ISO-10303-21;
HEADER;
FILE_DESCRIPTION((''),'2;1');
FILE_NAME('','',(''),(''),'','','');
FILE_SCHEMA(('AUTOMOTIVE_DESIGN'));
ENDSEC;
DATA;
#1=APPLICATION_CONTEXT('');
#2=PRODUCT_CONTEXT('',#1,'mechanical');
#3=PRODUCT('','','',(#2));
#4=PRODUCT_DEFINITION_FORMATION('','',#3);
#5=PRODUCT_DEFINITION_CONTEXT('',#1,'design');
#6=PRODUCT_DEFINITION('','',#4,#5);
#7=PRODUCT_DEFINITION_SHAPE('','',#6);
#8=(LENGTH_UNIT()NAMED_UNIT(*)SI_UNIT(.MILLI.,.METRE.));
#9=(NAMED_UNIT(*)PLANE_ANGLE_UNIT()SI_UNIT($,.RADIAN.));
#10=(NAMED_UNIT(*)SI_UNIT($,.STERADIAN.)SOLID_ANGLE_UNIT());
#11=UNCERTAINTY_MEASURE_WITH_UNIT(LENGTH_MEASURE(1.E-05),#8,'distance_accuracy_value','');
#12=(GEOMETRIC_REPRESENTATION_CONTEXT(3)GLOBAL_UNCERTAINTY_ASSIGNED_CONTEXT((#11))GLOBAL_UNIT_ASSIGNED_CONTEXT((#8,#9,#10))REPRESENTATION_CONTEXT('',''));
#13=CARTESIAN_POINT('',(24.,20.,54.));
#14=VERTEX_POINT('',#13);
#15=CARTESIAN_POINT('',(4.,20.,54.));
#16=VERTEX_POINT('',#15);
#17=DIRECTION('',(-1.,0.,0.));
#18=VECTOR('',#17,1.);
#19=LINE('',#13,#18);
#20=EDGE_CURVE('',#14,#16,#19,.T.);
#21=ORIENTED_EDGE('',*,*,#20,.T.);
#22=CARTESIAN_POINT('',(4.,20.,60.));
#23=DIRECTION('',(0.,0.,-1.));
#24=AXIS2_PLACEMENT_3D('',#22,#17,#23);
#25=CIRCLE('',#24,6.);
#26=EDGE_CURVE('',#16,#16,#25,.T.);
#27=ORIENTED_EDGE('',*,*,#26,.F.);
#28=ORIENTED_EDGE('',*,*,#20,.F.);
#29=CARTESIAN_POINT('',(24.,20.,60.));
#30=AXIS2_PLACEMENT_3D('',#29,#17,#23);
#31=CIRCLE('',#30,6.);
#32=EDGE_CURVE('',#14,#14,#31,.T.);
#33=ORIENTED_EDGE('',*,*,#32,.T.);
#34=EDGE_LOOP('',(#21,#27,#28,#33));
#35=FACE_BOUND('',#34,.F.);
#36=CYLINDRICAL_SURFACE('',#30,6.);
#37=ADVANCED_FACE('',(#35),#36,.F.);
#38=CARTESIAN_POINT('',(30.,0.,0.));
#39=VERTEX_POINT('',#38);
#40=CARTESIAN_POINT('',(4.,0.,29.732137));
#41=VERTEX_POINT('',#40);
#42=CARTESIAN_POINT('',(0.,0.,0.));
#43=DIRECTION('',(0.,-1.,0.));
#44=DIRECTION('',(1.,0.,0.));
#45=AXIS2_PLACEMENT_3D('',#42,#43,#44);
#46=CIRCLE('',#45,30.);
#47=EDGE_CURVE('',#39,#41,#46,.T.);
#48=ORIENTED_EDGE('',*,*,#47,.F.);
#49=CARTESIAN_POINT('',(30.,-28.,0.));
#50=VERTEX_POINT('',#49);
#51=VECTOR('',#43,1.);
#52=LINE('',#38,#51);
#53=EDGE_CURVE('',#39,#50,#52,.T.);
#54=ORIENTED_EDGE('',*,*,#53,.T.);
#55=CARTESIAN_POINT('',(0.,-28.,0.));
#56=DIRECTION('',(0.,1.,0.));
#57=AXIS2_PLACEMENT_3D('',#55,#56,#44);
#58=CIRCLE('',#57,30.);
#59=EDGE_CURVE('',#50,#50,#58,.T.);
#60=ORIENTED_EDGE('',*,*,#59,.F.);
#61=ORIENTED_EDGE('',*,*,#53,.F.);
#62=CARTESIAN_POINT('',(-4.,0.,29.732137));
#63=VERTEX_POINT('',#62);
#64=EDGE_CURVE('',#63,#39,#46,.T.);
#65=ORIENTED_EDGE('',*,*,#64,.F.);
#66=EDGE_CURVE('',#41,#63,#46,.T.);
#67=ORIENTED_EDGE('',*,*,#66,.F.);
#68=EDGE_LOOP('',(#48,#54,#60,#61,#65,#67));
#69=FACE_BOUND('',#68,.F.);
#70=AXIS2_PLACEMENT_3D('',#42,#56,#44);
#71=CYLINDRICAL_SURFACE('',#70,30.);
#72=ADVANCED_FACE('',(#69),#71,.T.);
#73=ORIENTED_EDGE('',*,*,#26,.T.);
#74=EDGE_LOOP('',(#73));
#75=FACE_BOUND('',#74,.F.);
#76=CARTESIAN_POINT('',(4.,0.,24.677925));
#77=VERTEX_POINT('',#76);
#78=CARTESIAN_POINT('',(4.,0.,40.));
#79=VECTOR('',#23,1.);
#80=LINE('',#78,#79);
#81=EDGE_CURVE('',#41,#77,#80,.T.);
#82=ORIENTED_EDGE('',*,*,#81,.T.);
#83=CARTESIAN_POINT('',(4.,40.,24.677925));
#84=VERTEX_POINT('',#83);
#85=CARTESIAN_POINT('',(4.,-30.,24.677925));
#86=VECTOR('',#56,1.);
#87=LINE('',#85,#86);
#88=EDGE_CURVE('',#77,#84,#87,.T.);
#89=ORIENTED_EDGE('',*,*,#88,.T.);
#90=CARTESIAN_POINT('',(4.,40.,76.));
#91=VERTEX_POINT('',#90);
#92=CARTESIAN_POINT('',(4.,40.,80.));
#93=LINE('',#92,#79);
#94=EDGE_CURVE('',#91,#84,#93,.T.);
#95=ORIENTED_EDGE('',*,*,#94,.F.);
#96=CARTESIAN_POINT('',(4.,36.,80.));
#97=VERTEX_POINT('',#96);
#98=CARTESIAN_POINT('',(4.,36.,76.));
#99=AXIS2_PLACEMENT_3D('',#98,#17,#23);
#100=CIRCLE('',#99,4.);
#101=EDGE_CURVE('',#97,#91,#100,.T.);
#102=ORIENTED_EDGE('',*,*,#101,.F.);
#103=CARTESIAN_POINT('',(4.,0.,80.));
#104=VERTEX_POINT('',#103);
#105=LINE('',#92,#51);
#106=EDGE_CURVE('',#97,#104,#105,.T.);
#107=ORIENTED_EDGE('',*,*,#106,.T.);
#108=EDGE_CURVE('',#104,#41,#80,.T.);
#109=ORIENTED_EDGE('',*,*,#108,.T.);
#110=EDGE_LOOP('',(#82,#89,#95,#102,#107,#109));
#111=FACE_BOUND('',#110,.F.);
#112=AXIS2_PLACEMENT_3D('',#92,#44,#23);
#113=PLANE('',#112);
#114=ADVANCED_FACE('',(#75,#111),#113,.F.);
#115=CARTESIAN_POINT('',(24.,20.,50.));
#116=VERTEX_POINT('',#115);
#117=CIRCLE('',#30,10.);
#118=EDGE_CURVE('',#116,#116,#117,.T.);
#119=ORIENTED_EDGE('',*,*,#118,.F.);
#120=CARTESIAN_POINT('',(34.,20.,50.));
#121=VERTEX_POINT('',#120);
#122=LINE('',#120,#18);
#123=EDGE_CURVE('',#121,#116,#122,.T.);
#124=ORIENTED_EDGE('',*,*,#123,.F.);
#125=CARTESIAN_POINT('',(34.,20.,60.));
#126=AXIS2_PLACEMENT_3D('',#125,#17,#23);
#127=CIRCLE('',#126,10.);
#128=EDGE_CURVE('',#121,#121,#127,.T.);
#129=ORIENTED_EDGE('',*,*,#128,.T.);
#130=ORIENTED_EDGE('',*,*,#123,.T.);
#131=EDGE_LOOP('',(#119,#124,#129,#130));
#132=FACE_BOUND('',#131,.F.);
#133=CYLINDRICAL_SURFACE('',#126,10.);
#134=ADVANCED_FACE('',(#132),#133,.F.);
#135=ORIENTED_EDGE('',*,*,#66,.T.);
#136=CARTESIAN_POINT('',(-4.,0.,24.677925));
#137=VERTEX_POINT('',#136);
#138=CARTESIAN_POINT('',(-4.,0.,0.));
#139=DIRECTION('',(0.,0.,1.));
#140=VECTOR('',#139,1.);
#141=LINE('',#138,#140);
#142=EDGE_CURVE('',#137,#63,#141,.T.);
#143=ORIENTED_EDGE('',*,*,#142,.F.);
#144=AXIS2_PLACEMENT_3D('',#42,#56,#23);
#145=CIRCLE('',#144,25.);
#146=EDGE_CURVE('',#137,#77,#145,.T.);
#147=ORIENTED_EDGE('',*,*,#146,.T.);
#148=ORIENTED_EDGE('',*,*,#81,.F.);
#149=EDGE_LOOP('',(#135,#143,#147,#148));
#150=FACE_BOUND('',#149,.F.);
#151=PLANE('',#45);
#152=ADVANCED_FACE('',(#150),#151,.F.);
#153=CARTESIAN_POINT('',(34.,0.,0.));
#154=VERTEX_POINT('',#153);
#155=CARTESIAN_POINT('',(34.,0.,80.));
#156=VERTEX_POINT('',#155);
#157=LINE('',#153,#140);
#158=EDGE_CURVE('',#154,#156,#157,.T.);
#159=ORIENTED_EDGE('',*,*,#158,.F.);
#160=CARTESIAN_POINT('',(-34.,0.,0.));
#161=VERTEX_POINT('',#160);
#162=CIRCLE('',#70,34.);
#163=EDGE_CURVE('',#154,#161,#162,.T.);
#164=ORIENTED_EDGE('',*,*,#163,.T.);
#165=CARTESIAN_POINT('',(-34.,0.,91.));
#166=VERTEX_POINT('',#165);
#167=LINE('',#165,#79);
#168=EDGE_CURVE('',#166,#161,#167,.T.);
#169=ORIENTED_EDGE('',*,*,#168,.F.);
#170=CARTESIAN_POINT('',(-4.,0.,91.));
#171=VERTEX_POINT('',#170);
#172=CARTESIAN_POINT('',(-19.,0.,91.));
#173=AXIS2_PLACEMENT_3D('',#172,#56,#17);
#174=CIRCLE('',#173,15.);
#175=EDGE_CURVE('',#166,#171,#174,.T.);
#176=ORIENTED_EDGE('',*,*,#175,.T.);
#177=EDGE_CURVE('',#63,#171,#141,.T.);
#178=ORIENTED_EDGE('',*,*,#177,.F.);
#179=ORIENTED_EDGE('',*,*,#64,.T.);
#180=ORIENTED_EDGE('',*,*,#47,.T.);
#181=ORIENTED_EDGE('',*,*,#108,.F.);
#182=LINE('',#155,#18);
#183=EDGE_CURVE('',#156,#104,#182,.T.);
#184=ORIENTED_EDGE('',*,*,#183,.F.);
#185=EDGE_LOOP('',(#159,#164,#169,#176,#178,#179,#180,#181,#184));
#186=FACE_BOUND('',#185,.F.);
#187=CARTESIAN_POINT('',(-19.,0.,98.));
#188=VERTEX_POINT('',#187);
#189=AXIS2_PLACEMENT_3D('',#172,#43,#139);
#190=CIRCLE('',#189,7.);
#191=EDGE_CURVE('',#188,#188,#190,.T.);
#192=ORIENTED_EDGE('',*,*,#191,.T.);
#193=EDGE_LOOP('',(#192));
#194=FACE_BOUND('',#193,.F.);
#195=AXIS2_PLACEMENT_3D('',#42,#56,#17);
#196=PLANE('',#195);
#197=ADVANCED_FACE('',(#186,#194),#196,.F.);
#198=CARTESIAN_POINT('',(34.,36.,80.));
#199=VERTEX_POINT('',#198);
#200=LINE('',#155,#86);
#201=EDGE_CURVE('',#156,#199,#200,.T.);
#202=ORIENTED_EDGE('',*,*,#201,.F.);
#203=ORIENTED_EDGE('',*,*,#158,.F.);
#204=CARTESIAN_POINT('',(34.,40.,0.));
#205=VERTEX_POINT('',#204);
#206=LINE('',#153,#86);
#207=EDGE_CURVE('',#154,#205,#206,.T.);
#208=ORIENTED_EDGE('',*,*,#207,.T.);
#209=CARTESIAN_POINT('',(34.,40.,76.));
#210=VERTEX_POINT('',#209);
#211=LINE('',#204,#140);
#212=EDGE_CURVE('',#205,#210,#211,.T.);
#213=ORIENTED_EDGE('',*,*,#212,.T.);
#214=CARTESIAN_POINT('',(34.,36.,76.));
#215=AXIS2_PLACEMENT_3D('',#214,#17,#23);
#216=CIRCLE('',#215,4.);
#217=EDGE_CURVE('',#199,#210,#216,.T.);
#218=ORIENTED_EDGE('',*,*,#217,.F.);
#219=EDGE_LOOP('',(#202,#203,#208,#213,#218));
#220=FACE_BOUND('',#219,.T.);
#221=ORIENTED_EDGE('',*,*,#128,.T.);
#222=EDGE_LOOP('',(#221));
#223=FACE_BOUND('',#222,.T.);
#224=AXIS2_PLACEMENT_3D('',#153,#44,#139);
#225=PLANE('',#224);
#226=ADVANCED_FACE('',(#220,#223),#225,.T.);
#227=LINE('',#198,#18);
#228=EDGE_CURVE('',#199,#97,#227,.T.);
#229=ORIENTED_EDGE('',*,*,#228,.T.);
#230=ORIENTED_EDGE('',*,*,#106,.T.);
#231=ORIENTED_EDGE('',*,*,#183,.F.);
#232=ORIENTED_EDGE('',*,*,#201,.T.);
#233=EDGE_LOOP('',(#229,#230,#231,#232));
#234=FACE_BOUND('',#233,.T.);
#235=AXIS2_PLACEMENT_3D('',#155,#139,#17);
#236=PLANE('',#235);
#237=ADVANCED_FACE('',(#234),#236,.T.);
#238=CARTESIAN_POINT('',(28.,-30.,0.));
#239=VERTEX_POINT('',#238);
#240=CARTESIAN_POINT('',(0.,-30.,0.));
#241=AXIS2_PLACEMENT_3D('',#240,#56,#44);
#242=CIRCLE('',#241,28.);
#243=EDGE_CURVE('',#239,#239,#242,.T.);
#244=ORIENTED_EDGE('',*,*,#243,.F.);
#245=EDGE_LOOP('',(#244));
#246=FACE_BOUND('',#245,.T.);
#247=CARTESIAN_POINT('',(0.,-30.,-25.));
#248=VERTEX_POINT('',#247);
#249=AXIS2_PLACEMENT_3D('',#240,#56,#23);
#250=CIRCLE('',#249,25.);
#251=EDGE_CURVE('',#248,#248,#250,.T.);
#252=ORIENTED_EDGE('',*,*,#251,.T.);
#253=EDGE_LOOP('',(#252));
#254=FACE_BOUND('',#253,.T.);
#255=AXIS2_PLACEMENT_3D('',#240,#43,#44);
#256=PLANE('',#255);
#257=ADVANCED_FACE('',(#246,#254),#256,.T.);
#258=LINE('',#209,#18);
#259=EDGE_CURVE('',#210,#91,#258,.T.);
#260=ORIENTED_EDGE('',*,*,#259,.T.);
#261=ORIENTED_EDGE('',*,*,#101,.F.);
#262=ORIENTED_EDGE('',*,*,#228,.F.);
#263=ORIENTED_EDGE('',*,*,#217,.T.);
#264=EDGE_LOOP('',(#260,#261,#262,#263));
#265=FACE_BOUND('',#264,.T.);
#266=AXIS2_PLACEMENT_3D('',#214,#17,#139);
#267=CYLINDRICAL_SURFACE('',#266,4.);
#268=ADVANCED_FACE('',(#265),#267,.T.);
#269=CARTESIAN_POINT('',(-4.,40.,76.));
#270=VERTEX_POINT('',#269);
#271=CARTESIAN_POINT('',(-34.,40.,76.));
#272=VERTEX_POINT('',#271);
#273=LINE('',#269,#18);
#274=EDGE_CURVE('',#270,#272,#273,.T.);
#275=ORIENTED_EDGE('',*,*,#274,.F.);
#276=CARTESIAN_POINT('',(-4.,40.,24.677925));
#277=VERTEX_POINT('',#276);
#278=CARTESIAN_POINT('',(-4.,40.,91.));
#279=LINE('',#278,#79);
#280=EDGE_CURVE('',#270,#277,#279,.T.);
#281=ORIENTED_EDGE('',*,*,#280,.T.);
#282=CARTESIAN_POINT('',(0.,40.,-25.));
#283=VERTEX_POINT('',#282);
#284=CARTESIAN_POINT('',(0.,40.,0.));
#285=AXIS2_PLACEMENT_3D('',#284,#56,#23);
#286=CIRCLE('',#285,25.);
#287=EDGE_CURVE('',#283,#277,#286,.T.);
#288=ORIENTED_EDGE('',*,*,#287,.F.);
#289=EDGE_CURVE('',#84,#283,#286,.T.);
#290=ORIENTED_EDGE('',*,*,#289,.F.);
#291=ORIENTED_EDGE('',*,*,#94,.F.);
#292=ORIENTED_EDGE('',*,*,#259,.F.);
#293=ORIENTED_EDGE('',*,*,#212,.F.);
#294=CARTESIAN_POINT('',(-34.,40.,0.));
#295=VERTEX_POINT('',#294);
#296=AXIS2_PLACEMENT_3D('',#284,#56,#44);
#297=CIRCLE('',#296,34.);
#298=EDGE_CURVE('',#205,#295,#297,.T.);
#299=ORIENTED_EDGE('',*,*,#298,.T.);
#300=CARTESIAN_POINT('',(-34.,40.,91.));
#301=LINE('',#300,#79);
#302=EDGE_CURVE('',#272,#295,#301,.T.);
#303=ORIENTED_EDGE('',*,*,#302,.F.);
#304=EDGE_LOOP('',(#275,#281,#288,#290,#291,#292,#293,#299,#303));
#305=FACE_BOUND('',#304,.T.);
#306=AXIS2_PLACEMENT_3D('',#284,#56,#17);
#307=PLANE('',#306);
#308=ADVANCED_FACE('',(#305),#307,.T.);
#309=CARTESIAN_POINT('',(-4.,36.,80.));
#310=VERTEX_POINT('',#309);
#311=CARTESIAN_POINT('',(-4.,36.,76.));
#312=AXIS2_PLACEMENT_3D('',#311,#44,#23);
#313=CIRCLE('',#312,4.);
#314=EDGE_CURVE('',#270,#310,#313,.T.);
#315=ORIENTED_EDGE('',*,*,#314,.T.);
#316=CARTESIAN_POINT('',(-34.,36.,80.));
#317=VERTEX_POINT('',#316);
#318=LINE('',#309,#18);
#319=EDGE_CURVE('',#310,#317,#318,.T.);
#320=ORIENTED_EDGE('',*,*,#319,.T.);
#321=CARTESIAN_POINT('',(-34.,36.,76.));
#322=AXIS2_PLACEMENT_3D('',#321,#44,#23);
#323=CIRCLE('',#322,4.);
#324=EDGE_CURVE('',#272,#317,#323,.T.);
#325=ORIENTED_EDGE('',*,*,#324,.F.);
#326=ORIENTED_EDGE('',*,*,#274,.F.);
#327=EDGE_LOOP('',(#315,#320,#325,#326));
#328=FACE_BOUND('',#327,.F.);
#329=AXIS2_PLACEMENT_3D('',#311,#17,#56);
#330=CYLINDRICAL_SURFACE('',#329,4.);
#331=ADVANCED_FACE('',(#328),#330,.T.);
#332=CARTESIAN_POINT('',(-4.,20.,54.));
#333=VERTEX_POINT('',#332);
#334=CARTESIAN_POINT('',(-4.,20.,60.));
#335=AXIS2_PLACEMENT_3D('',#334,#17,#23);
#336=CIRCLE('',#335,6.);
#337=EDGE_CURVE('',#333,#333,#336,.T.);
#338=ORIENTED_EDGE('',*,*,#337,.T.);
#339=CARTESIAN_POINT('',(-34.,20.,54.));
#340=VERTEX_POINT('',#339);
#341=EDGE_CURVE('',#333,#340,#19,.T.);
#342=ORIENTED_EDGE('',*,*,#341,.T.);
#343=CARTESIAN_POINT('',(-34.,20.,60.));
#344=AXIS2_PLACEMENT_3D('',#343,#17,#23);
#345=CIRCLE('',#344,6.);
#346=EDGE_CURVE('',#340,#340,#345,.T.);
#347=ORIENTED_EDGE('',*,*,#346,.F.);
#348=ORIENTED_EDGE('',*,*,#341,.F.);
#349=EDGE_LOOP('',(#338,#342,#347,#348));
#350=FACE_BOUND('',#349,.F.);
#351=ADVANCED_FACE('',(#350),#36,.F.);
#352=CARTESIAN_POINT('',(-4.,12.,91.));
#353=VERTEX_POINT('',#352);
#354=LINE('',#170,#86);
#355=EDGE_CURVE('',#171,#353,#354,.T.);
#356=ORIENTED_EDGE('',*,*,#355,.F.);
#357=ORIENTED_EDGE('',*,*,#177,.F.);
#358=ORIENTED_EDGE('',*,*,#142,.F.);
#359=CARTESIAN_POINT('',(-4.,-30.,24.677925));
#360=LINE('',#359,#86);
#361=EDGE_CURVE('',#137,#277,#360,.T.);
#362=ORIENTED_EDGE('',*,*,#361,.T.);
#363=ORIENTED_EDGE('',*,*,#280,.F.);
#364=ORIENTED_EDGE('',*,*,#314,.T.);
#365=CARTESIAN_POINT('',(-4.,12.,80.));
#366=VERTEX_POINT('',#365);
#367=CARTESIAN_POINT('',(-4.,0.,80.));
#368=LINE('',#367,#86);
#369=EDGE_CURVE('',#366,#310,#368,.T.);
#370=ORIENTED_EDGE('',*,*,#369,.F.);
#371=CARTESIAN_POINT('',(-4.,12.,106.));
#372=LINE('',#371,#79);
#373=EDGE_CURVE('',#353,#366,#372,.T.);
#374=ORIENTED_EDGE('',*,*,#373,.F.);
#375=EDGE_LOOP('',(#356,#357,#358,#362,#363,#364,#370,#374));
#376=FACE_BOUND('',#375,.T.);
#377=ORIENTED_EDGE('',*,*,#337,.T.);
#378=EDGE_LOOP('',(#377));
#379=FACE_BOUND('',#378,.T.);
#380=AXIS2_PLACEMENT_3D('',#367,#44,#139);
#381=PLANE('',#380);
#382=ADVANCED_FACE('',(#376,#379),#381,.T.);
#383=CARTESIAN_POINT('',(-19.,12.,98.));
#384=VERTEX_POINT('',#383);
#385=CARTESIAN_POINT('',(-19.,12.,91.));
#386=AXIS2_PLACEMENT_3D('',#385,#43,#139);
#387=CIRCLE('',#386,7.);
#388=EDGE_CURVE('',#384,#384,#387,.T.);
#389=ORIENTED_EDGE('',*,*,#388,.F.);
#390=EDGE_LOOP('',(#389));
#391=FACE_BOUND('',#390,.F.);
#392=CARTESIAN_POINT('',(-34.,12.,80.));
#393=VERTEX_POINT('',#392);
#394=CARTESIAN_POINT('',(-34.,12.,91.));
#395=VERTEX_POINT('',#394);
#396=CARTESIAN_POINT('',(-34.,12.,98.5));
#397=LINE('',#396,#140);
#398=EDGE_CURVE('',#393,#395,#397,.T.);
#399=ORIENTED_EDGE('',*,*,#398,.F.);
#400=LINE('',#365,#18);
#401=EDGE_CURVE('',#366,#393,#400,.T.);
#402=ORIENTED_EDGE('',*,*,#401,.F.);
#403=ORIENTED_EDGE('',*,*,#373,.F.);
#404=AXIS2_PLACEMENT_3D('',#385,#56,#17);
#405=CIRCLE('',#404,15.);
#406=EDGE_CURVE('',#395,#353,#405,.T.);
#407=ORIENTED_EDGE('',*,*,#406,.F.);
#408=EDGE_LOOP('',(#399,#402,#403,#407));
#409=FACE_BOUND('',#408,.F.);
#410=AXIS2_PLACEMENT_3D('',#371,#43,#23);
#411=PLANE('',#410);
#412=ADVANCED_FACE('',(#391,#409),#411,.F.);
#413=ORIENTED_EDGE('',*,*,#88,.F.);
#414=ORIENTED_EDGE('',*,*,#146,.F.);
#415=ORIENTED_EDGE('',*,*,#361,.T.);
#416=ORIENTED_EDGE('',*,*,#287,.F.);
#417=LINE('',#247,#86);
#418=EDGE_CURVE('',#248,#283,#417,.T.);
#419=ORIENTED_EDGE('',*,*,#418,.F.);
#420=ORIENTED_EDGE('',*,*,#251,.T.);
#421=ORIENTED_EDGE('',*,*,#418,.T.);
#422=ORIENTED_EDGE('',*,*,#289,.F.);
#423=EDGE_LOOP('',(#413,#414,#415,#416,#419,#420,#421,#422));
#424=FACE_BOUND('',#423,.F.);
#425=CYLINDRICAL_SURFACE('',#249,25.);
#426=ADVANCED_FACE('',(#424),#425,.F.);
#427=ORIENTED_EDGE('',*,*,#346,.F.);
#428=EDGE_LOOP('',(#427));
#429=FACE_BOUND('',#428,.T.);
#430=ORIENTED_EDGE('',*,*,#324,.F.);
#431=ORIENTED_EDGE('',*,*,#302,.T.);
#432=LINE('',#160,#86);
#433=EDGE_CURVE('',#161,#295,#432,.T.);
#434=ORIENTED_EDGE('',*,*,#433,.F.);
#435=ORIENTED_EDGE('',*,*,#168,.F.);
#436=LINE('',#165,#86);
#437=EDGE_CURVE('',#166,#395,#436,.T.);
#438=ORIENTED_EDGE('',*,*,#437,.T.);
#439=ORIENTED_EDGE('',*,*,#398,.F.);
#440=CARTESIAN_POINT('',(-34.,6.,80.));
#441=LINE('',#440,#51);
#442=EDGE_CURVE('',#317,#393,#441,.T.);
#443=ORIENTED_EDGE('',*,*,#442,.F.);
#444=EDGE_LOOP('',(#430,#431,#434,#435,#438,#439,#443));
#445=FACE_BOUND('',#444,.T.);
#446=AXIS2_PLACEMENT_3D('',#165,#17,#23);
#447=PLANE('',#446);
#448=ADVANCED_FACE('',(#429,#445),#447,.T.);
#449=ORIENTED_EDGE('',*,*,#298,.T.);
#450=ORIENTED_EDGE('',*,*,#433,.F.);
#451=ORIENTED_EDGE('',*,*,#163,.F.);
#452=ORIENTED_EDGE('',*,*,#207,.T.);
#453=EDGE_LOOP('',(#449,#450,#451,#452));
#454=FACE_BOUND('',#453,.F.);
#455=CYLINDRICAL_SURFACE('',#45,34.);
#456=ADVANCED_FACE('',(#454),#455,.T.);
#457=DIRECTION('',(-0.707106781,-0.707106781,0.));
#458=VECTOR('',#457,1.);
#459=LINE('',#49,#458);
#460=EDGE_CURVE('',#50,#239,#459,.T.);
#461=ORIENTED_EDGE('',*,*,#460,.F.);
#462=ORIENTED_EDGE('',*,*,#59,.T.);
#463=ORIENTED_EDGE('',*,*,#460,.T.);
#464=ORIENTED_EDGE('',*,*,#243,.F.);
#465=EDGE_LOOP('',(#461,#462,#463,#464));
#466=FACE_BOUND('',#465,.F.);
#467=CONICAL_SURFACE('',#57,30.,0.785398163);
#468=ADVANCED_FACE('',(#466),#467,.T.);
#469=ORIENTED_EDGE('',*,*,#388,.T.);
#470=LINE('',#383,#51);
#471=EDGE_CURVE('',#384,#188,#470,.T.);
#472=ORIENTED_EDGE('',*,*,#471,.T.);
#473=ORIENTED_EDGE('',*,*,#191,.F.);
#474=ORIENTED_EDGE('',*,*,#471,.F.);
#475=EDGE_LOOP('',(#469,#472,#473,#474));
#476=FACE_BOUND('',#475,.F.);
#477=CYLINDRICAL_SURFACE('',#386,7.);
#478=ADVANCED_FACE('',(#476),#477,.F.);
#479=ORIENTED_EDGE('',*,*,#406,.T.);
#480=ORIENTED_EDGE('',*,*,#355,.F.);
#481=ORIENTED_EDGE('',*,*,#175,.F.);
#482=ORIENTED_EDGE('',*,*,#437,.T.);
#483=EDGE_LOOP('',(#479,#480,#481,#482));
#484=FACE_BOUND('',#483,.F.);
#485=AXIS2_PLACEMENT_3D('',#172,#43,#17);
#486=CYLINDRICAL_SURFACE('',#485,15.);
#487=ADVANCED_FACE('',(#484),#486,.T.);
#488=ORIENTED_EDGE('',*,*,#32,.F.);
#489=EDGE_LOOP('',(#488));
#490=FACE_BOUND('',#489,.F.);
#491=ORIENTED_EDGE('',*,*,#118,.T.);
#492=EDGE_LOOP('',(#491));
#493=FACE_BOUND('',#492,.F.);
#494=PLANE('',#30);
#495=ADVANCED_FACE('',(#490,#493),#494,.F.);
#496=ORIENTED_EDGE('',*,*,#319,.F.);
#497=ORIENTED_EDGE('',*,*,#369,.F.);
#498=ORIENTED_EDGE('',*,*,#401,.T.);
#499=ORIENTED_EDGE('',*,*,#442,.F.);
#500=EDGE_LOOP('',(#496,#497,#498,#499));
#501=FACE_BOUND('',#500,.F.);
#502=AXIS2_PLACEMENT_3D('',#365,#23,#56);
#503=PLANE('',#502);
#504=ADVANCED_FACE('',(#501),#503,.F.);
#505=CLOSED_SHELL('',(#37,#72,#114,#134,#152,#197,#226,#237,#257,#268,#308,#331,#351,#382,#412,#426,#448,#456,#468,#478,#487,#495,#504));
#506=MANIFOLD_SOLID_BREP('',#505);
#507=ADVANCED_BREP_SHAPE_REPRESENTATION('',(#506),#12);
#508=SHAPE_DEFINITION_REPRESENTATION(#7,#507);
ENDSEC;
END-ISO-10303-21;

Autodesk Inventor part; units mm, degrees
ref_plane "YZ Plane" through (0, 0, 0) normal (1, 0, 0) x (0, 1, 0)
ref_plane "XZ Plane" through (0, 0, 0) normal (0, 1, 0) x (-1, 0, 0)
ref_plane "XY Plane" through (0, 0, 0) normal (0, 0, 1) x (1, 0, 0)
sketch "Sketch1" plane through (0, 0, 0) normal (0, 1, 0) x (-1, 0, 0)
  line L0 (34, 91) -> (34, 0)
  arc A0 (-34, 0) -> (34, 0) centre (0, 0) ccw
  line L1 (-34, 0) -> (-34, 80)
  line L2 (-34, 80) -> (4, 80)
  line L3 (4, 80) -> (4, 91)
  arc A1 (34, 91) -> (4, 91) centre (19, 91) ccw
  dimension "d0" = 34
  dimension "d1" = 15
  dimension "d2" = 91
  dimension "d3" = 80
extrude "Extrusion1" add sketch "Sketch1" along normal blind 40
sketch "Sketch2" plane through (0, 40, 0) normal (0, 1, 0) x (1, 0, 0)
  line L0 (-4, -80) -> (34, -80) projected
  arc A0 (34, 0) -> (-34, 0) centre (0, 0) ccw projected
  line L1 (-4, -80) -> (4, -80)
  line L2 (4, -80) -> (4, 0)
  line L3 (4, 0) -> (-4, 0)
  line L4 (-4, 0) -> (-4, -80)
  dimension "d6" = 8
extrude "Extrusion2" cut sketch "Sketch2" against normal through all
sketch "Sketch3" plane through (-4, 0, 91) normal (1, 0, 0) x (0, 0, -1)
  line L0 (0, 40) -> (91, 40) projected
  line L1 (11, 0) -> (11, 40) projected
  line L2 (-15, 0) -> (-15, 40) projected
  line L3 (11, 40) -> (-15, 40)
  line L4 (-15, 40) -> (-15, 12)
  line L5 (-15, 12) -> (11, 12)
  line L6 (11, 12) -> (11, 40)
  line L7 (0, 0) -> (-15, 0) projected
  point P0 (11, 12)
  dimension "d9" = 12
extrude "Extrusion3" cut sketch "Sketch3" against normal through all
sketch "Sketch4" plane through (0, 0, 0) normal (0, -1, 0) x (1, 0, 0)
  line L0 (4, 80) -> (4, 0) projected
  line L1 (4, 0) -> (-4, 0) projected
  line L2 (-4, 91) -> (-4, 0) projected
  arc A0 (-34, 0) -> (34, 0) centre (0, 0) ccw projected
  circle A1 centre (0, 0) radius 30
  point P0 (-4, 29.7321)
  point P1 (4, 29.7321)
  dimension "d12" = 60
extrude "Extrusion4" add sketch "Sketch4" along normal blind 30
chamfer "Chamfer1" distance 2 angle 45 1 edges at (-4, -30, -29.7321)
fillet "Fillet1" radius 4 2 edges at (-19, 40, 80) (19, 40, 80)
sketch "Sketch5" plane through (-4, 12, 91) normal (0, 1, 0) x (1, 0, 0)
  arc A0 (-30, 0) -> (0, 0) centre (-15, 0) ccw projected
  point P0 (4, 91)
hole "Hole1" at (-19, 12, 91) direction (0, -1, 0) diameter 14 end through all
sketch "Sketch6" plane through (0, -30, 0) normal (0, -1, 0) x (1, 0, 0)
  circle A0 centre (0, 0) radius 28 projected
hole "Hole2" at (0, -30, 0) direction (0, 1, 0) diameter 50 end through all
sketch "Sketch7" plane through (34, 0, 80) normal (1, 0, 0) x (0, 0, -1)
  line L0 (80, 0) -> (80, 40) projected
  line L1 (4, 40) -> (80, 40) projected
  point P0 (20, 20)
  dimension "d33" = 60
  dimension "d34" = 20
hole "Hole3" at (34, 20, 60) direction (-1, 0, 0) diameter 12 end through all counterbore diameter 20 counterbore depth 10
properties part number "Part030. Notched attach" material "Steel, Cast"
